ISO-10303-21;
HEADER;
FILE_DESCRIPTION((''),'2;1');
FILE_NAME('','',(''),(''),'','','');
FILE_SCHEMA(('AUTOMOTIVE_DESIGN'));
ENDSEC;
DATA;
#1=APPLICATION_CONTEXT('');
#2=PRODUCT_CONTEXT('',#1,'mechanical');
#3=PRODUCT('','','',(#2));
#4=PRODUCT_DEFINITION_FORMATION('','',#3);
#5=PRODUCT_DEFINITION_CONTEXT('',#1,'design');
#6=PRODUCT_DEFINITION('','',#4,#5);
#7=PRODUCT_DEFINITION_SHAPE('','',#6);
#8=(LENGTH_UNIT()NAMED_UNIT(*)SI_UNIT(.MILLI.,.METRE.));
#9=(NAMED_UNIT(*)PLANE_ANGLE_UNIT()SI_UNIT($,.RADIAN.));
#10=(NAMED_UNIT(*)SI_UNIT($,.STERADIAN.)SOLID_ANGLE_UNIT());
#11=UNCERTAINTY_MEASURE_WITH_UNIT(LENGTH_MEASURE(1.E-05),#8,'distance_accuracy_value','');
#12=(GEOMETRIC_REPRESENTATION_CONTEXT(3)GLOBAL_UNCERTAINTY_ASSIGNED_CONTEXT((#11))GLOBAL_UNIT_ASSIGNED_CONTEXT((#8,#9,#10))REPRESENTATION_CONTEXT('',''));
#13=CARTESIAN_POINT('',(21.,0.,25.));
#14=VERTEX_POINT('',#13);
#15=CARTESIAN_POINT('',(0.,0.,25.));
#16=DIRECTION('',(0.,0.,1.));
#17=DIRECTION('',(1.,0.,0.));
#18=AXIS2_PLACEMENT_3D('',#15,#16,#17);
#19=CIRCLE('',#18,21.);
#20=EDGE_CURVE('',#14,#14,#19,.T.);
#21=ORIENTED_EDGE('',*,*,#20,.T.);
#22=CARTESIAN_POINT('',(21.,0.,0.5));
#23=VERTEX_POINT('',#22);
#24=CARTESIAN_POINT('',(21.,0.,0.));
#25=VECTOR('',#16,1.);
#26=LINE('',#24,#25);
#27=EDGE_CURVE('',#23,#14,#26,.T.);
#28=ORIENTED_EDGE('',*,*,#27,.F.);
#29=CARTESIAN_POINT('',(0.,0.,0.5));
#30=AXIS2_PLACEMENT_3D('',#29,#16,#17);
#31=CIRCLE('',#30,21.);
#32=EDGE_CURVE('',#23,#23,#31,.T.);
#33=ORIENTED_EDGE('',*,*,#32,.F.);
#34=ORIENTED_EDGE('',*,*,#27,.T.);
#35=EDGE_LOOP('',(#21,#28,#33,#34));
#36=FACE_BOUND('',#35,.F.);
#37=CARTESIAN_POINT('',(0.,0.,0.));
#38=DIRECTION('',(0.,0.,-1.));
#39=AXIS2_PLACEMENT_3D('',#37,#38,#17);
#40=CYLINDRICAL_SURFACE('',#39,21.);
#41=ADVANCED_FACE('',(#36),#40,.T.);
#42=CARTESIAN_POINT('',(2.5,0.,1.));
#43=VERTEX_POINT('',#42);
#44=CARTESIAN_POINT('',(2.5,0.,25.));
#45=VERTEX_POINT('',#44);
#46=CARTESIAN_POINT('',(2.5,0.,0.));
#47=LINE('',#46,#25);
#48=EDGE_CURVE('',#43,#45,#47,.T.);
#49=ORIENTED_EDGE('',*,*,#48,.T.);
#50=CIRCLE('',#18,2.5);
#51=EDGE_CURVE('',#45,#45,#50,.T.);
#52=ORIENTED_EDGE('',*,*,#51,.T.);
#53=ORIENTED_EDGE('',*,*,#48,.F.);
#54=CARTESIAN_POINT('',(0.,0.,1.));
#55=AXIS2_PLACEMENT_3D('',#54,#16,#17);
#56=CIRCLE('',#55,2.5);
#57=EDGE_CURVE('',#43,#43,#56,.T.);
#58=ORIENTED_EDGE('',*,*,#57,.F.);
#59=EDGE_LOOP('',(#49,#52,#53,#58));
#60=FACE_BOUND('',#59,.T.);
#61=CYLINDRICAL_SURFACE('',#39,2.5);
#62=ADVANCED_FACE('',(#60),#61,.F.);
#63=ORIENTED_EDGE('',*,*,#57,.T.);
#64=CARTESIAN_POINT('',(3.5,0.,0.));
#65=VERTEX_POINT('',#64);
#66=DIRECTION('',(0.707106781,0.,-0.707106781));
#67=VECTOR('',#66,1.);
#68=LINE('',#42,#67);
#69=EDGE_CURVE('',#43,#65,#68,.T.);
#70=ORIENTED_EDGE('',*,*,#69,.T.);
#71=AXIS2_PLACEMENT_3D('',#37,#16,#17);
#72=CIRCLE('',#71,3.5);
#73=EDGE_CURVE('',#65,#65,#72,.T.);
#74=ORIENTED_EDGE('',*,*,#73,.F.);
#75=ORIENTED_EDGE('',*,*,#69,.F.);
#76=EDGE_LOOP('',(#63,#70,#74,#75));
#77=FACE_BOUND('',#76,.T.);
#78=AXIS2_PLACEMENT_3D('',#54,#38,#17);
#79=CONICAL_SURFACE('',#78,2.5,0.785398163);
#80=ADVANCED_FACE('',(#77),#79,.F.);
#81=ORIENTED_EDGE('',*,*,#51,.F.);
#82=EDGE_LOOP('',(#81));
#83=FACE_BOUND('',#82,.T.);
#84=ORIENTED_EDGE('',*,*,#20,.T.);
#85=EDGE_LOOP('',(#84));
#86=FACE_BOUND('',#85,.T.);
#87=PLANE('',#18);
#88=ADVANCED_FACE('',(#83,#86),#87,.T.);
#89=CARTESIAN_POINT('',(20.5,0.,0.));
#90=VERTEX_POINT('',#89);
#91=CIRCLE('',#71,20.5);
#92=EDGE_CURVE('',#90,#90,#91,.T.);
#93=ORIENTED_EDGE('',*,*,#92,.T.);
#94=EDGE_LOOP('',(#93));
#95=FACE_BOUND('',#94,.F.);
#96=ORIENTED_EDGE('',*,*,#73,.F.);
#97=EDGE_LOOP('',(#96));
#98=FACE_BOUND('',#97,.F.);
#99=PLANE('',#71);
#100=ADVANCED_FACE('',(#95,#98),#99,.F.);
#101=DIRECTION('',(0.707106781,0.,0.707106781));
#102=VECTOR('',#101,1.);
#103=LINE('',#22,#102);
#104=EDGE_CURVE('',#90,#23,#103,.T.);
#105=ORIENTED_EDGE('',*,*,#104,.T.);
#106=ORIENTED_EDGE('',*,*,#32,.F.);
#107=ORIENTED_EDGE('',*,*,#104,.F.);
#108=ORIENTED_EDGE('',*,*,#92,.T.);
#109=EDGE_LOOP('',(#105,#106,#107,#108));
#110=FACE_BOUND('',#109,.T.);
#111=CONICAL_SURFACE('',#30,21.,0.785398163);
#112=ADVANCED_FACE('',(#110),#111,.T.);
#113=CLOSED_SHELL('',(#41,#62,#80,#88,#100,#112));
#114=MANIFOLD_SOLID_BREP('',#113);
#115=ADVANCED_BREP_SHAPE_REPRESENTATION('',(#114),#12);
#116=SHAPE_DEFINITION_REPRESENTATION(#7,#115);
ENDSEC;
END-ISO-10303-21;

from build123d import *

# Parameters (mm, degrees)
F0_R     = 21
F0_R_2   = 2.5
F1_DEPTH = 25
F2_SIZE  = 1
F3_SIZE  = 0.5


with BuildPart() as f1:
    # F0 (on Top) → F1 (new body)
    with BuildSketch(Plane.XY):
        Circle(F0_R)
        Circle(F0_R_2, mode=Mode.SUBTRACT)
    extrude(amount=F1_DEPTH)

    # F2
    f2_edges = [f1.edges().sort_by_distance(p)[0] for p in [
        (-2.5, 0, 0),
    ]]
    chamfer(f2_edges, length=F2_SIZE)

    # F3
    f3_edges = [f1.edges().sort_by_distance(p)[0] for p in [
        (-21, 0, 0),
    ]]
    chamfer(f3_edges, length=F3_SIZE)


solid = f1.part
